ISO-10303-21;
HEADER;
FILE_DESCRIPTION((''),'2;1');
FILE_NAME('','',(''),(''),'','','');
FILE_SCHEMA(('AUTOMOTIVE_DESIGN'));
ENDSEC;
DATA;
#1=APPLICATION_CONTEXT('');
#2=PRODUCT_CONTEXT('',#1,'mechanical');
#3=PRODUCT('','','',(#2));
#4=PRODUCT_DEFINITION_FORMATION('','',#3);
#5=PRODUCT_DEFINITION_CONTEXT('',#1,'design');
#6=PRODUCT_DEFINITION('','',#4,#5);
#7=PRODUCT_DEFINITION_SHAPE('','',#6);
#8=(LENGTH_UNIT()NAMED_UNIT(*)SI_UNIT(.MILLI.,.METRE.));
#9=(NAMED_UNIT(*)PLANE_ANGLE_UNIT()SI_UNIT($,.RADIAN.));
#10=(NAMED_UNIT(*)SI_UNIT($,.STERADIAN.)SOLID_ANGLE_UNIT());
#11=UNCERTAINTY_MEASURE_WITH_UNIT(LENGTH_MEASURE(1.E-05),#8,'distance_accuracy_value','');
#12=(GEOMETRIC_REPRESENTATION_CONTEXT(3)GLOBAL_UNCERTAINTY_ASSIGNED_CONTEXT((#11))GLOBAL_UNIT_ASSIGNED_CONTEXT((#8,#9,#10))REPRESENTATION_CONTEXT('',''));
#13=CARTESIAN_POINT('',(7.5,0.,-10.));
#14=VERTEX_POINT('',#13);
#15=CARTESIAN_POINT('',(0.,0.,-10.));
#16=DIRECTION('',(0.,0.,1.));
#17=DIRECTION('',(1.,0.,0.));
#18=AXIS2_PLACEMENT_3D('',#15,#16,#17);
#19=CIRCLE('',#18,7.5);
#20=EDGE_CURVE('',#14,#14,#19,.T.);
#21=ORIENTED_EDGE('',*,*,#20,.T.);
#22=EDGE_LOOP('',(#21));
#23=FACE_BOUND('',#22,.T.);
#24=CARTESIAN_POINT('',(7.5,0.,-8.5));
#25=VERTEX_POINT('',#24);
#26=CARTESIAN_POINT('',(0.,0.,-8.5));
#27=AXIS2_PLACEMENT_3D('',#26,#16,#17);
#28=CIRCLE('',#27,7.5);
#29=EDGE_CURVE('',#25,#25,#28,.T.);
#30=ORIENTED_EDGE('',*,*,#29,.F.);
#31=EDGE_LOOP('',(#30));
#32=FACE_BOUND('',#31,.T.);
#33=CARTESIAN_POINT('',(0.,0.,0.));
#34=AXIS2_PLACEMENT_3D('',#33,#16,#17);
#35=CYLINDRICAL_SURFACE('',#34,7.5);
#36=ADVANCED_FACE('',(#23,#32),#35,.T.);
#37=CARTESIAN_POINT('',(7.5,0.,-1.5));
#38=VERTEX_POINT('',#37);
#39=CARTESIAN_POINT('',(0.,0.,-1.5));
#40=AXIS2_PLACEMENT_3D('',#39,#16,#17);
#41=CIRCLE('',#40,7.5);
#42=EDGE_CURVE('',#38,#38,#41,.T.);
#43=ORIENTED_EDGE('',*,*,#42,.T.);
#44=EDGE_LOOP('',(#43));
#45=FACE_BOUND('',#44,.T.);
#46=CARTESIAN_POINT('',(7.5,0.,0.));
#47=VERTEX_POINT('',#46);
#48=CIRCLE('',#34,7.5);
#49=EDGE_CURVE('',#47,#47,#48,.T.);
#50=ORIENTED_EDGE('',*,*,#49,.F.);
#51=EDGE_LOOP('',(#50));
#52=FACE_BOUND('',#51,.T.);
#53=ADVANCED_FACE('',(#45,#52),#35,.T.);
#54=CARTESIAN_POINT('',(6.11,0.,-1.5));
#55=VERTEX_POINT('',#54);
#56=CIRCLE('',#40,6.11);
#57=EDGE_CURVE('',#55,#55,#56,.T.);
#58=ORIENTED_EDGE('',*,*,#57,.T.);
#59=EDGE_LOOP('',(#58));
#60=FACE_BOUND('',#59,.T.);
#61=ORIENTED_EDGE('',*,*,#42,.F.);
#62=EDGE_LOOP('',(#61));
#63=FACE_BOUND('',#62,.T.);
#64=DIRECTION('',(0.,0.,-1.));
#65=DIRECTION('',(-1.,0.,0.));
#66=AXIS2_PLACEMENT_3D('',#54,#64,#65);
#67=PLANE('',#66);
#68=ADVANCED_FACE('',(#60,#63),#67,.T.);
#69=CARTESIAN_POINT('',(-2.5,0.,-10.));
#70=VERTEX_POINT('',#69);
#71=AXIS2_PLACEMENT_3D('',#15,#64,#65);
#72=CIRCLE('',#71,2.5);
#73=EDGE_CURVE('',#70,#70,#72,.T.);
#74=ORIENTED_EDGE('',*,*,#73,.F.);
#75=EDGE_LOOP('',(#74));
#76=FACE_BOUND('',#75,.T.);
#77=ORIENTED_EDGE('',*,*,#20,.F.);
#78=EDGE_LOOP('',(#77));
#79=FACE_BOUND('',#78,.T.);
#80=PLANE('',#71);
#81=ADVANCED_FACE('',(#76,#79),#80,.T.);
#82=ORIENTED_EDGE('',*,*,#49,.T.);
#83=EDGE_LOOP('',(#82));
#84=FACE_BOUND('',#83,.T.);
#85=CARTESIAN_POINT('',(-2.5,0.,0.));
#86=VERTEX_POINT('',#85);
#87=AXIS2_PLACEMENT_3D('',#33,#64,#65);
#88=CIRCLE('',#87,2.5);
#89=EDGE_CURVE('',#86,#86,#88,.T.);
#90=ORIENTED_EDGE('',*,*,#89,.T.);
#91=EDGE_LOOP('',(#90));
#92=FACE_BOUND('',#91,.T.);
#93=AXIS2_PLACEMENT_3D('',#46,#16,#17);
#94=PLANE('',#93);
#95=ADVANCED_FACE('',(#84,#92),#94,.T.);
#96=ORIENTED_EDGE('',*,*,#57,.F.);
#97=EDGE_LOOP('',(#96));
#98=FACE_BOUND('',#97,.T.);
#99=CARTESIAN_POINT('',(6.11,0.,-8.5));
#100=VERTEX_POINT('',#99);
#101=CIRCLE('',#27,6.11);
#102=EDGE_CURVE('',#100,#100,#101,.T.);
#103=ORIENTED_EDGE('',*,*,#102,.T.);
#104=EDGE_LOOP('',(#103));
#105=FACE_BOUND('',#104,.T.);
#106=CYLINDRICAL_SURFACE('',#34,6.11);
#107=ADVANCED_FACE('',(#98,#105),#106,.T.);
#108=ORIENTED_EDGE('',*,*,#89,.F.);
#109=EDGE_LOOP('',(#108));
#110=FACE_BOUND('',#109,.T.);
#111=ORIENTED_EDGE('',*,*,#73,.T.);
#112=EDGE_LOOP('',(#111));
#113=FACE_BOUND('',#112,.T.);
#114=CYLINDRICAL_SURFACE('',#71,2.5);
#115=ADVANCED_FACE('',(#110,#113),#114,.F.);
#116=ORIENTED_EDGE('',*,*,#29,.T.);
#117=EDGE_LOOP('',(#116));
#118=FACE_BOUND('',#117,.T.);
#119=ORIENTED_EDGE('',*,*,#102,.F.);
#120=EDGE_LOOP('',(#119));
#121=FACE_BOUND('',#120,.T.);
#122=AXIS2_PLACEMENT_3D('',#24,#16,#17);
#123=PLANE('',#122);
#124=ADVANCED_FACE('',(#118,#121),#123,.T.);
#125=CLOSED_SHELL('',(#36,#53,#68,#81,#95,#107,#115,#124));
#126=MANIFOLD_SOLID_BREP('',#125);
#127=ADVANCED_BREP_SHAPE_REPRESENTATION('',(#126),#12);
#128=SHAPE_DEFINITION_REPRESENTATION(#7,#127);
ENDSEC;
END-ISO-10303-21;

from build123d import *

# Parameters (mm, degrees)
F_5_0MM_DOWEL_HOLE1_D = 5


with BuildPart() as part:
    # Sketch2 → Revolve1 (revolve)
    with BuildSketch(Plane(origin=(0, 0, 0), x_dir=(1, 0, 0), z_dir=(0, 1, 0))):
        Polygon((0, 10), (7.5, 10), (7.5, 8.5), (6.11, 8.5), (6.11, 1.5), (7.5, 1.5), (7.5, 0), (0, 0), align=None)
    revolve(axis=Axis((0, 0, 0), (0, 0, -1)))

    # Ø5.0mm Dowel Hole1 (through all)
    with Locations(Plane(origin=(0, 0, -10), x_dir=(-1, 0, 0), z_dir=(0, 0, -1))):
        with Locations((0, 0)):
            Hole(F_5_0MM_DOWEL_HOLE1_D / 2)


solid = part.part
